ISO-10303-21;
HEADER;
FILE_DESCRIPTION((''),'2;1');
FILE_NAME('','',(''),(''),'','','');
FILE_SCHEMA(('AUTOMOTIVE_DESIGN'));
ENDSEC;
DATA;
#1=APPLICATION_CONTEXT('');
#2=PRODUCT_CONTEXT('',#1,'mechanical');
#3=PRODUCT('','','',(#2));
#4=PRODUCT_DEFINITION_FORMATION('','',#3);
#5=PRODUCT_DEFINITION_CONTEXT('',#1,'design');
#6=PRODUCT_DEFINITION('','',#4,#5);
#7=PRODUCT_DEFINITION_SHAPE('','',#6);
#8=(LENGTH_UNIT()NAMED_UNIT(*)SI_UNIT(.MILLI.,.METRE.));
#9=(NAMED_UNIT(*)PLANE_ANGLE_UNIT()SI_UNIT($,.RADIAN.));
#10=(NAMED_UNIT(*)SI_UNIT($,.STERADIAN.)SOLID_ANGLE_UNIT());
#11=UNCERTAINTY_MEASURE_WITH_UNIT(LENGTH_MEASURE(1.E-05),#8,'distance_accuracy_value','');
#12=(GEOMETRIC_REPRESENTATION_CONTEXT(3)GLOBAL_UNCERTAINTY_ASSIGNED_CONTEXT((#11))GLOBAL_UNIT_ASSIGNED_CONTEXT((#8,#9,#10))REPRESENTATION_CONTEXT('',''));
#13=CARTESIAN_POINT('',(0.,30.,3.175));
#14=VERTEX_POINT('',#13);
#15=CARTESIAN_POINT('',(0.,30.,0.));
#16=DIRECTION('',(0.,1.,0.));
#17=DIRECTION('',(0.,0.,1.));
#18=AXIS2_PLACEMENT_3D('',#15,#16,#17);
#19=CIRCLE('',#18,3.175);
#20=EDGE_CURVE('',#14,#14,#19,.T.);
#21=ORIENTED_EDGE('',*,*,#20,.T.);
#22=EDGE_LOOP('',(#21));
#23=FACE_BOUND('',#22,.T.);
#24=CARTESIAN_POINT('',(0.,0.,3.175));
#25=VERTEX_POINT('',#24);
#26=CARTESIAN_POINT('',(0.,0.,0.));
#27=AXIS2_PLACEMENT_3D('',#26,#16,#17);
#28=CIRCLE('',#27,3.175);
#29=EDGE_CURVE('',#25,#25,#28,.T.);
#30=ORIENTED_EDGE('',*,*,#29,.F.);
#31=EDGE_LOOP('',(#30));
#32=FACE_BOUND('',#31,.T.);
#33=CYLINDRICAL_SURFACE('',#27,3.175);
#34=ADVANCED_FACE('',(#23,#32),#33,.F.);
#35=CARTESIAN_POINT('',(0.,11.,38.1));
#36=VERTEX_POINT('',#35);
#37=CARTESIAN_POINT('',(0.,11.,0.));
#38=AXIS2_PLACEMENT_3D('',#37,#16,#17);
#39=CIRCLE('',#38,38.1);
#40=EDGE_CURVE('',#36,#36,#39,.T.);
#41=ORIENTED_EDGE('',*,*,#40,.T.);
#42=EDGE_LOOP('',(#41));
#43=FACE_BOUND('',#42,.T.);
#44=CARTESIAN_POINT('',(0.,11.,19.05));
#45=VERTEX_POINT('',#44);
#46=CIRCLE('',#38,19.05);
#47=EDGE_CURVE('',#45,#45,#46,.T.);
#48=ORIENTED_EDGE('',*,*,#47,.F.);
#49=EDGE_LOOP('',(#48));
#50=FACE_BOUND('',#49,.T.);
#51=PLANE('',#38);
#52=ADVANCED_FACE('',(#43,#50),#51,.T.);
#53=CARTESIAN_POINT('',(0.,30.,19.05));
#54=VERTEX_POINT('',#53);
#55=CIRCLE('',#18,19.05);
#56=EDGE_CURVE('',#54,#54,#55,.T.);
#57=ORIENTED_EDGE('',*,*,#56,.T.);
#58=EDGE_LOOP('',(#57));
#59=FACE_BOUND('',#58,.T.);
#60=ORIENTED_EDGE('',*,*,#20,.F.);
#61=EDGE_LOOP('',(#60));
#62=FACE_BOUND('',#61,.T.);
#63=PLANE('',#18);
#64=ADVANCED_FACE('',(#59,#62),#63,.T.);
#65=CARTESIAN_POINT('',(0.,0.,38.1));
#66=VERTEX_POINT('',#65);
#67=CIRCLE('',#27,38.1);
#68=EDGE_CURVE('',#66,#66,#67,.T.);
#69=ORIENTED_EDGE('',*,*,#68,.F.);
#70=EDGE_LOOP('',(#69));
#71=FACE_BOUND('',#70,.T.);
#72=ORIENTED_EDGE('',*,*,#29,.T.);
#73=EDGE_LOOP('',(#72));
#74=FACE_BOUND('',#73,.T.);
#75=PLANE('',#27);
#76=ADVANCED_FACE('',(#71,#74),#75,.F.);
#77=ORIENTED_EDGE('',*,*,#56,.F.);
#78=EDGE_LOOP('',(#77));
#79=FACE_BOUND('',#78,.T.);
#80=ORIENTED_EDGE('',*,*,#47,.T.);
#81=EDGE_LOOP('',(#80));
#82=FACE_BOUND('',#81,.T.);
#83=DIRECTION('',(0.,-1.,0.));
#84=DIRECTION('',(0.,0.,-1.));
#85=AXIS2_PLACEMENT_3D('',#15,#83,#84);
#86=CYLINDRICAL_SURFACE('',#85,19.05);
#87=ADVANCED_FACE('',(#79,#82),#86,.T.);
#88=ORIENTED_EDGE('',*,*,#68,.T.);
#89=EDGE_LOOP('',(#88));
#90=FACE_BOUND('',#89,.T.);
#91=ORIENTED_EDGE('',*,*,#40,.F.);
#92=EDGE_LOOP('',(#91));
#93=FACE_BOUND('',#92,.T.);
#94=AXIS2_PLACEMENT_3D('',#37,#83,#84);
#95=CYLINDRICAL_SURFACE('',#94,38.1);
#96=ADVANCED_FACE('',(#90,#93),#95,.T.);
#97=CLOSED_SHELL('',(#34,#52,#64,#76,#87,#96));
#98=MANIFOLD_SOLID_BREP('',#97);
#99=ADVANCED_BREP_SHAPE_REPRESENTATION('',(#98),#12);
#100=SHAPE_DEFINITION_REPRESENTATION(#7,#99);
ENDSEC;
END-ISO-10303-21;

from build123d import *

# Parameters (mm, degrees)
ESQUISSE1_R             = 38.1
BOSS_EXTRU_1_DEPTH      = 11
ESQUISSE2_R             = 19.05
BOSS_EXTRU_2_DEPTH      = 19
ESQUISSE3_R             = 3.175
ENL_V_MAT_EXTRU_1_DEPTH = 31


with BuildPart() as part:
    # Esquisse1 → Boss.-Extru.1 (new body)
    with BuildSketch(Plane(origin=(0, 0, 0), x_dir=(1, 0, 0), z_dir=(0, 1, 0))):
        Circle(ESQUISSE1_R)
    extrude(amount=BOSS_EXTRU_1_DEPTH)

    # Esquisse2 → Boss.-Extru.2 (add)
    with BuildSketch(Plane(origin=(0, 11, 0), x_dir=(1, 0, 0), z_dir=(0, 1, 0))):
        Circle(ESQUISSE2_R)
    extrude(amount=BOSS_EXTRU_2_DEPTH)

    # Esquisse3 → Enlèv. mat.-Extru.1 (cut, through all)
    with BuildSketch(Plane(origin=(0, 30, 0), x_dir=(1, 0, 0), z_dir=(0, 1, 0))):
        Circle(ESQUISSE3_R)
    extrude(amount=-ENL_V_MAT_EXTRU_1_DEPTH, mode=Mode.SUBTRACT)


solid = part.part
